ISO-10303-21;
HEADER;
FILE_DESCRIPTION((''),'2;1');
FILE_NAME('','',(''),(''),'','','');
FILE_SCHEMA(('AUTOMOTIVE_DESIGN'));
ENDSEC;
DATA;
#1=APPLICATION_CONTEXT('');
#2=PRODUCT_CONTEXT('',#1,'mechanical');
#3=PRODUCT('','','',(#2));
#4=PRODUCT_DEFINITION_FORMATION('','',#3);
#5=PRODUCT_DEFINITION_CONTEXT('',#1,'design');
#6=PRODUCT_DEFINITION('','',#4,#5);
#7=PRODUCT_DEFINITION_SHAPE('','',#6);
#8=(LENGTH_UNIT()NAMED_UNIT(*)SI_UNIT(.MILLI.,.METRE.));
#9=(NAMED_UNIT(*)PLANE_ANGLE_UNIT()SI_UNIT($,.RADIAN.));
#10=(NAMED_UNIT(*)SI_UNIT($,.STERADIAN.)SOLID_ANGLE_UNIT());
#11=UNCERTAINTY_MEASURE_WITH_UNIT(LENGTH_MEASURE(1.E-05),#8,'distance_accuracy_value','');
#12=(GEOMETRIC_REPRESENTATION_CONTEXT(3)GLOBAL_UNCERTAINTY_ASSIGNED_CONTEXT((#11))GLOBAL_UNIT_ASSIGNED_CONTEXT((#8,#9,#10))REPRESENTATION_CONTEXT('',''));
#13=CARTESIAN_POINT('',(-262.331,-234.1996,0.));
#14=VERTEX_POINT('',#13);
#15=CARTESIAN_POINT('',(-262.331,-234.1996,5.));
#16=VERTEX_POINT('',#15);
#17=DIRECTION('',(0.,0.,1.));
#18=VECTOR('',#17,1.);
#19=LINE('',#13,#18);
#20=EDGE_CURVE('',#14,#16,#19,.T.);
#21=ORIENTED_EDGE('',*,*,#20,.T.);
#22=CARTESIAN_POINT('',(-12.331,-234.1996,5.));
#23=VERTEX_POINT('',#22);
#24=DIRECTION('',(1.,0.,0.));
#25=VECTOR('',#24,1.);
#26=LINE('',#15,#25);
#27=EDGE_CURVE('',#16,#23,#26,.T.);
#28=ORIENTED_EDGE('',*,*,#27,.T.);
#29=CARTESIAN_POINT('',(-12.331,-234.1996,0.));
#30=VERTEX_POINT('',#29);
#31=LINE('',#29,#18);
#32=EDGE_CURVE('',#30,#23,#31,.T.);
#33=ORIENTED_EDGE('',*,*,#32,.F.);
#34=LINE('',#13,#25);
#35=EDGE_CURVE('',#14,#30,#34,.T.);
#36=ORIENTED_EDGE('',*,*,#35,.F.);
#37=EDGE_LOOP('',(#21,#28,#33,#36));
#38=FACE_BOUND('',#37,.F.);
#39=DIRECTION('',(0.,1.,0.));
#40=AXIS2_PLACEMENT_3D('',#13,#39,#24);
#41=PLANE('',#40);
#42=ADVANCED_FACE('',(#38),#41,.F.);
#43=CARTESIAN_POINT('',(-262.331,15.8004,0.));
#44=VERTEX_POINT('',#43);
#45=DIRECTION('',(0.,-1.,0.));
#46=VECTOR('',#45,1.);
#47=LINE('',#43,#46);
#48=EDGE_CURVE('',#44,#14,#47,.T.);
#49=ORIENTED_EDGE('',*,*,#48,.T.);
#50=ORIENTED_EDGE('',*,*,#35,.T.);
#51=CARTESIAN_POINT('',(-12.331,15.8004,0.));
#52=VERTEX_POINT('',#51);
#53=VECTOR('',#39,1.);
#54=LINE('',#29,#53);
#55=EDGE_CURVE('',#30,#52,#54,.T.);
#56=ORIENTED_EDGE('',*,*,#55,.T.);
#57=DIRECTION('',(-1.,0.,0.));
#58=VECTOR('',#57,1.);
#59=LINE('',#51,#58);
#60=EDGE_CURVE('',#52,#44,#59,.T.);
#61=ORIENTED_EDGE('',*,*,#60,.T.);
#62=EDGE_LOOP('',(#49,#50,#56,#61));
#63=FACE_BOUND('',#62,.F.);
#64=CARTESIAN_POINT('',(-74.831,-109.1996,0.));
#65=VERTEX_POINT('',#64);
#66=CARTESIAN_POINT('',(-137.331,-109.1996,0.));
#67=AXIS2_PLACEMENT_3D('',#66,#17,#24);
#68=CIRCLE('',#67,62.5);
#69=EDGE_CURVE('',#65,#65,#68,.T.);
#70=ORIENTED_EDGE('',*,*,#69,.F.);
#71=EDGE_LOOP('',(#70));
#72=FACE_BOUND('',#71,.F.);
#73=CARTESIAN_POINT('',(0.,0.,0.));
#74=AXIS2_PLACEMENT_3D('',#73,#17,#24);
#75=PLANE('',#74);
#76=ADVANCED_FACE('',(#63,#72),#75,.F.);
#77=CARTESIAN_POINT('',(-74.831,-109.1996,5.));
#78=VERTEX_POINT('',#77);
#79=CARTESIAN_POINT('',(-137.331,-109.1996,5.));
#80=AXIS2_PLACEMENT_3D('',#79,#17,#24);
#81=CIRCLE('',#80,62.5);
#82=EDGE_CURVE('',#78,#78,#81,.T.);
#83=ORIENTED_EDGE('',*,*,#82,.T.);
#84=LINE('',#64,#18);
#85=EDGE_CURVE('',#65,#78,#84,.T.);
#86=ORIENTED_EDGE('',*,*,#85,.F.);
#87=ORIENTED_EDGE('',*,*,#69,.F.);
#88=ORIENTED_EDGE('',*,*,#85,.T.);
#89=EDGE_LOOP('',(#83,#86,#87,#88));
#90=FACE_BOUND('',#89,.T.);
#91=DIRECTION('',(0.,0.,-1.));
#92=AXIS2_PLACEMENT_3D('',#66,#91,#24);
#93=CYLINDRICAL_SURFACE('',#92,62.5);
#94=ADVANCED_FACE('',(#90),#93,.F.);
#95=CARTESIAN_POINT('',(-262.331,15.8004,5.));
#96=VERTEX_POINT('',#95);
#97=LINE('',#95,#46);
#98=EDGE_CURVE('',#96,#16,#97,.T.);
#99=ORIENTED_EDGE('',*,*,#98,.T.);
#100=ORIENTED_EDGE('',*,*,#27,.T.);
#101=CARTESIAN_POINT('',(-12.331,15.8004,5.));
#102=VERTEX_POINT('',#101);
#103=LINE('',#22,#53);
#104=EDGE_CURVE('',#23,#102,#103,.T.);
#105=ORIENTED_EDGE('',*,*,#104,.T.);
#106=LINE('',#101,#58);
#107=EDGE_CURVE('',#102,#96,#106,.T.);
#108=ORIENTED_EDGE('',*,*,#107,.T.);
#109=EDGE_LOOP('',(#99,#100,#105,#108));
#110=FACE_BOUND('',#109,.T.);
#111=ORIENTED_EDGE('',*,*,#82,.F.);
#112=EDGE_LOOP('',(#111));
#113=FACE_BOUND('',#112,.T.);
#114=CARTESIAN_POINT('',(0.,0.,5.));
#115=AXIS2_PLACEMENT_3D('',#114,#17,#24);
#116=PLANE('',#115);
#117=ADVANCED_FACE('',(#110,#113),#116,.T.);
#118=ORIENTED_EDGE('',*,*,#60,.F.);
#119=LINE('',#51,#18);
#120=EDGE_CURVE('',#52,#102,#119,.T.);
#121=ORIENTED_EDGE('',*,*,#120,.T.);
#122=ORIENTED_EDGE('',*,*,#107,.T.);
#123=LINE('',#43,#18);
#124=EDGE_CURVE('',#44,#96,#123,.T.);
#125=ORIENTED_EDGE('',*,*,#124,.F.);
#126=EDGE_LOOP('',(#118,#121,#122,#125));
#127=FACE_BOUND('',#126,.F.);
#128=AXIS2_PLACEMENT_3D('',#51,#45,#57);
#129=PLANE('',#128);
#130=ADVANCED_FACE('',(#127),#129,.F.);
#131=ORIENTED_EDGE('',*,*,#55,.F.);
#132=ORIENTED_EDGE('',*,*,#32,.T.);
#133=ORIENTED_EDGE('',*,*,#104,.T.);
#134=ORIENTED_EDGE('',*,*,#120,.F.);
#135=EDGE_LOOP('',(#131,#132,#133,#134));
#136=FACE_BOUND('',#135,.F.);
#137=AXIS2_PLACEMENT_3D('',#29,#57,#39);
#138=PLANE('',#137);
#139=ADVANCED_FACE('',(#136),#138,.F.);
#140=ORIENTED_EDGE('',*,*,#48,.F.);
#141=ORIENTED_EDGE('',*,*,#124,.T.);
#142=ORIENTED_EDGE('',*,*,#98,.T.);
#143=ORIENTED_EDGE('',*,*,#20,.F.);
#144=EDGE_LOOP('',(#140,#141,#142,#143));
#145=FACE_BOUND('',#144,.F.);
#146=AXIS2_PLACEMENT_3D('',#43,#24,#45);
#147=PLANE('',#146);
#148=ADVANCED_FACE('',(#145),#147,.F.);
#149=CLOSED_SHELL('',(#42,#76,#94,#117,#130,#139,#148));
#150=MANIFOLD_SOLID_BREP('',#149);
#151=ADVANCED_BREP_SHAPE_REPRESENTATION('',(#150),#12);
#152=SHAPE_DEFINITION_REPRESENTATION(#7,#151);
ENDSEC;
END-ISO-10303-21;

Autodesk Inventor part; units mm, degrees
ref_plane "YZ Plane" through (0, 0, 0) normal (1, 0, 0) x (0, 1, 0)
ref_plane "XZ Plane" through (0, 0, 0) normal (0, 1, 0) x (-1, 0, 0)
ref_plane "XY Plane" through (0, 0, 0) normal (0, 0, 1) x (1, 0, 0)
sketch "Sketch1" plane through (0, 0, 0) normal (0, 0, 1) x (1, 0, 0)
  line L0 (-12.331, 15.8004) -> (-262.331, 15.8004)
  line L1 (-262.331, 15.8004) -> (-262.331, -234.1996)
  line L2 (-262.331, -234.1996) -> (-12.331, -234.1996)
  line L3 (-12.331, -234.1996) -> (-12.331, 15.8004)
  circle A0 centre (-137.331, -109.1996) radius 62.5
  point P0 (0, 0)
  dimension "d0" = 250
  dimension "d1" = 250
  dimension "d2" = 125
extrude "Extrusion1" add sketch "Sketch1" along normal blind 5
